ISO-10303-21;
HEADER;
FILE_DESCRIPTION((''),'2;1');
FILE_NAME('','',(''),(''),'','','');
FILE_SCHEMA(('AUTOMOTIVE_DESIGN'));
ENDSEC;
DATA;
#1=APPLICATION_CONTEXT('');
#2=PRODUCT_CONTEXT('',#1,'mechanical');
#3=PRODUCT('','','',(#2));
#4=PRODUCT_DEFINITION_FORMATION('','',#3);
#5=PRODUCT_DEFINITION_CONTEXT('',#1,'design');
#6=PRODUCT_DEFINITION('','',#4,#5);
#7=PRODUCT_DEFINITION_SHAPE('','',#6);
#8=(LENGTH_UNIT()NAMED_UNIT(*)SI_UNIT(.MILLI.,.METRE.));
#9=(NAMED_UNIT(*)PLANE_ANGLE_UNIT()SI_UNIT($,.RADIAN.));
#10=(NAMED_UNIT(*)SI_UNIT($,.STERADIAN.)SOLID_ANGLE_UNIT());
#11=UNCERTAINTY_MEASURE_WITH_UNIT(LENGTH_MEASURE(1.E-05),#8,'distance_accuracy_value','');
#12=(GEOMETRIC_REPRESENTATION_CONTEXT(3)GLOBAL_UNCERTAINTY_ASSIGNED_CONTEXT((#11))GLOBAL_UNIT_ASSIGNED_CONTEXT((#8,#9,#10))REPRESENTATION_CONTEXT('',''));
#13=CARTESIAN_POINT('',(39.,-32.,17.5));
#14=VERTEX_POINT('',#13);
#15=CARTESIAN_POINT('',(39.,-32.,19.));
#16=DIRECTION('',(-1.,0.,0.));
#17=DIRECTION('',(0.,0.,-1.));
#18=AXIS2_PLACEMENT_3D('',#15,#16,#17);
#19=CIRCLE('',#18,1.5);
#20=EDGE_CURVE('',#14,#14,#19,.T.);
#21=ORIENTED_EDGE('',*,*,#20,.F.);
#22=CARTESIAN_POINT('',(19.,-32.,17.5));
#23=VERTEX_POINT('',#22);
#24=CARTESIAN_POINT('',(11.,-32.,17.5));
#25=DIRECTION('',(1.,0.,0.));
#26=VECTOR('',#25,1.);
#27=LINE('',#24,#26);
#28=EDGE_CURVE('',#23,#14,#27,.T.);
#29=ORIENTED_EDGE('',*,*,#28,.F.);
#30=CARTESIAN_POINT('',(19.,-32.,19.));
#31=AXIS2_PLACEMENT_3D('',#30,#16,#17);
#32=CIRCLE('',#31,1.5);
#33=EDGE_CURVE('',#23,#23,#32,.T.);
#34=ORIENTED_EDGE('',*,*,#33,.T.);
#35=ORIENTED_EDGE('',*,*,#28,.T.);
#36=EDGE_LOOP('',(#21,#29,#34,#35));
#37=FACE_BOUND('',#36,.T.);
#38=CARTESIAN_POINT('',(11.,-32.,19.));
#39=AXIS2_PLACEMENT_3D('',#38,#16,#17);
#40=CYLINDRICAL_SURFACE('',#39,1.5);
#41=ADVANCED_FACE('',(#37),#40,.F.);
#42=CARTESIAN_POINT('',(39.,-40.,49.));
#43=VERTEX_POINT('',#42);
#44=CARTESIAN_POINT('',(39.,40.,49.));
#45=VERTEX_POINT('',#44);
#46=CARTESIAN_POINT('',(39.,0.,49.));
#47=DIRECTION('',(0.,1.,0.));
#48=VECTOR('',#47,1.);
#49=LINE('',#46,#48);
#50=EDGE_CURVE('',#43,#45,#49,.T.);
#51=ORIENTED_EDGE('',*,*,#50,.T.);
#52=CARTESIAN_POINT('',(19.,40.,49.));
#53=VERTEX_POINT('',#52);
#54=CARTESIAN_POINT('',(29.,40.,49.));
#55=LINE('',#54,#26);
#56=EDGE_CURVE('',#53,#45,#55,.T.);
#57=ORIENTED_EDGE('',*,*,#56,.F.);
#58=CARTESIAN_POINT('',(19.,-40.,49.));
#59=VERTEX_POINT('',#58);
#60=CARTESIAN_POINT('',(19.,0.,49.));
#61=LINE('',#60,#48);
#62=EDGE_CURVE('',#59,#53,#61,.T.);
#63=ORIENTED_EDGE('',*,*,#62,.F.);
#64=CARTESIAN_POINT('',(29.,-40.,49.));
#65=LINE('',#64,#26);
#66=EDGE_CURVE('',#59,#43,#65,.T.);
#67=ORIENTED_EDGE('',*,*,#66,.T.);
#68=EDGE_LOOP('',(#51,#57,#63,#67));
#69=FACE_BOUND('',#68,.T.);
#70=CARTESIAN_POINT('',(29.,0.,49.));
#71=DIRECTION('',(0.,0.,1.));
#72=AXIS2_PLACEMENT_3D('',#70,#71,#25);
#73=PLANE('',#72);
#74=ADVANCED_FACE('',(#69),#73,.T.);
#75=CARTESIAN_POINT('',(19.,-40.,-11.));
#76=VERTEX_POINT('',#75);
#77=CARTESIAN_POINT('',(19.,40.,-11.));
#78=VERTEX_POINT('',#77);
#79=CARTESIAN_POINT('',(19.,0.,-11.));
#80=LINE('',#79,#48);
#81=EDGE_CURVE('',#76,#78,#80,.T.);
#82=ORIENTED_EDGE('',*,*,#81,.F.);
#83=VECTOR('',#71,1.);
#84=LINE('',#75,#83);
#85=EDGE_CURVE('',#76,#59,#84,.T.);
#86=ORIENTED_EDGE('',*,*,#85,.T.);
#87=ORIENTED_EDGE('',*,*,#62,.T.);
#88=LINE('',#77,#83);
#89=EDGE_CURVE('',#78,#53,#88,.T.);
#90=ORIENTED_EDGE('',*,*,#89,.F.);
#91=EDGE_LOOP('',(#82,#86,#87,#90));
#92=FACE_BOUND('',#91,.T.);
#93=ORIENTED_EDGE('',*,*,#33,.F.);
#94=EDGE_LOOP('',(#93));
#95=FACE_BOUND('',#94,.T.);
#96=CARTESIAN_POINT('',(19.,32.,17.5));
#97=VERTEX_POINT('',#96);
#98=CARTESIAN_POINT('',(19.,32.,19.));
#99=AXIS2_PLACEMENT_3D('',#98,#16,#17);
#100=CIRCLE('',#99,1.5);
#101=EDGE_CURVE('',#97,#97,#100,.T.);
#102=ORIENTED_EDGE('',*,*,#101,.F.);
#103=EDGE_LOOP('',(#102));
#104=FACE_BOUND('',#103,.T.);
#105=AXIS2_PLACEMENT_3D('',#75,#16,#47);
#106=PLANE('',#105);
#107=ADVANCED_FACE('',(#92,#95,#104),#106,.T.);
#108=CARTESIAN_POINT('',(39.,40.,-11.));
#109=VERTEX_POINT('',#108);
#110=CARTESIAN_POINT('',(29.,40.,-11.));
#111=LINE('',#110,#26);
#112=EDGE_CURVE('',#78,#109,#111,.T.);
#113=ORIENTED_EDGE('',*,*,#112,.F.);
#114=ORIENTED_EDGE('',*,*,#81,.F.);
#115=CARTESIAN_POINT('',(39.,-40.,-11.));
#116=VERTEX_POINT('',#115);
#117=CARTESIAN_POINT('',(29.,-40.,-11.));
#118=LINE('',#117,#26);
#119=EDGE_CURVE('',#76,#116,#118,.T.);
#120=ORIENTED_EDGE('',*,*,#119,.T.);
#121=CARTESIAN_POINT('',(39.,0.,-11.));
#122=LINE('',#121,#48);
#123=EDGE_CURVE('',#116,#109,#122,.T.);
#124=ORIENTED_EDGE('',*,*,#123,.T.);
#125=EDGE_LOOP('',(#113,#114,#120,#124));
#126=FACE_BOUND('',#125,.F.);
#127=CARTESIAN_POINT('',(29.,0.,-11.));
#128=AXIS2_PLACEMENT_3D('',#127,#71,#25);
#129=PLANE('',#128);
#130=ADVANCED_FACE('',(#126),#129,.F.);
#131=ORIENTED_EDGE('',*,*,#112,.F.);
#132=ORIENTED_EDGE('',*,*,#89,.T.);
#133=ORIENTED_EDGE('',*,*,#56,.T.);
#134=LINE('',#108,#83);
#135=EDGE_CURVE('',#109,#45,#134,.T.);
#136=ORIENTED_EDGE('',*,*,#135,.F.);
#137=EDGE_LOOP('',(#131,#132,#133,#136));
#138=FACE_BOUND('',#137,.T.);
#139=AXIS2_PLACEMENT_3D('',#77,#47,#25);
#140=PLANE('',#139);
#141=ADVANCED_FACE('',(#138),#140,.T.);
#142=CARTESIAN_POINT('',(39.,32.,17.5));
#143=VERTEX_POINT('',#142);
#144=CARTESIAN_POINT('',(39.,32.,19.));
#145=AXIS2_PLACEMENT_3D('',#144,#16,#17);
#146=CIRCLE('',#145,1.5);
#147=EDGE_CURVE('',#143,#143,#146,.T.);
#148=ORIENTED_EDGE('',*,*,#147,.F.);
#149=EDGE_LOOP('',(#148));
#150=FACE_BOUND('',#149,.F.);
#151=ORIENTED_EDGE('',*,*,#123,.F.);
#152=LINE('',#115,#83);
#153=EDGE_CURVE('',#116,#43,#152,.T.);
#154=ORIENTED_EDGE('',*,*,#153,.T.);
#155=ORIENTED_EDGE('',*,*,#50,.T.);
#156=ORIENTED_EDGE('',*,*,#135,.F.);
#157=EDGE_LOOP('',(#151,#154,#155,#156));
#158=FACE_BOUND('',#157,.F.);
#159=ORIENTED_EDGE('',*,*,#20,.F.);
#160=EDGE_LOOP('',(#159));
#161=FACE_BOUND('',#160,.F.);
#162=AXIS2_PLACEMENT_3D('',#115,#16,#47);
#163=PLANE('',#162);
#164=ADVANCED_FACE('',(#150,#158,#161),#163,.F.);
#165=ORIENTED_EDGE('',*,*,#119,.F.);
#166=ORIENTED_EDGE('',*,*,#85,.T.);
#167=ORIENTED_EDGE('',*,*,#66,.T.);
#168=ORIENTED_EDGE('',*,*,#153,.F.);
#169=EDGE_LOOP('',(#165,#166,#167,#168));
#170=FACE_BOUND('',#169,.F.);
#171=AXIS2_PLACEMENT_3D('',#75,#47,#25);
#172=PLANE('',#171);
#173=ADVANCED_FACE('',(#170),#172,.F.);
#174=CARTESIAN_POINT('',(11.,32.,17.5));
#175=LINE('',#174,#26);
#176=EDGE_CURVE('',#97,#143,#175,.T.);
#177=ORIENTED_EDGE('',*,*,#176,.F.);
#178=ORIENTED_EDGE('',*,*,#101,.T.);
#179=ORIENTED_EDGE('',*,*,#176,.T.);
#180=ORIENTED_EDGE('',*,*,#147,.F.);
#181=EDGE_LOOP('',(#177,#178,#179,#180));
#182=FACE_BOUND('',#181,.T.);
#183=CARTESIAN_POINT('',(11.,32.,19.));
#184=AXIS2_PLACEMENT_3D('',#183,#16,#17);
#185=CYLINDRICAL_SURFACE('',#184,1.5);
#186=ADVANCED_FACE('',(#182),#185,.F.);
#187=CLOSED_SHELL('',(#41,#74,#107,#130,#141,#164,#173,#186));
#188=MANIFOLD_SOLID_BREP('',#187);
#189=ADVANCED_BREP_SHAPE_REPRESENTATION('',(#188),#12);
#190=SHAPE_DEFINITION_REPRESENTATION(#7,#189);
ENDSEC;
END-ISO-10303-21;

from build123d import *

# Parameters (mm, degrees)
CYLINDER075_R     = 1.5
CYLINDER075_DEPTH = 50
CYLINDER076_R     = 1.5
CYLINDER076_DEPTH = 50
BOX001_W          = 20
BOX001_H          = 80
BOX001_DEPTH      = 60


with BuildPart() as cilindro075:
    # Cylinder075 → Cylinder075 (new body)
    with BuildSketch(Plane(origin=(-8, 8, 30), x_dir=(0, 0, -1), z_dir=(1, 0, 0))):
        Circle(CYLINDER075_R)
    extrude(amount=CYLINDER075_DEPTH)


with BuildPart() as fusion037:
    # Cylinder076 → Cylinder076 (new body)
    with BuildSketch(Plane(origin=(-8, 72, 30), x_dir=(0, 0, -1), z_dir=(1, 0, 0))):
        Circle(CYLINDER076_R)
    extrude(amount=CYLINDER076_DEPTH)

    # Fusion037: union Cilindro075
    add(cilindro075.part)


with BuildPart() as portapilasx5:
    # Box001 → Box001 (new body)
    with BuildSketch(Plane.XY):
        with Locations((10, 40)):
            Rectangle(BOX001_W, BOX001_H)
    extrude(amount=BOX001_DEPTH)

    # Cut001: cut Fusion037
    add(fusion037.part, mode=Mode.SUBTRACT)


with BuildPart() as portapilasx5_1:
    # Cut001 placement: moved
    add(portapilasx5.part.moved(Location((19, -40, -11))))


solid = portapilasx5_1.part
